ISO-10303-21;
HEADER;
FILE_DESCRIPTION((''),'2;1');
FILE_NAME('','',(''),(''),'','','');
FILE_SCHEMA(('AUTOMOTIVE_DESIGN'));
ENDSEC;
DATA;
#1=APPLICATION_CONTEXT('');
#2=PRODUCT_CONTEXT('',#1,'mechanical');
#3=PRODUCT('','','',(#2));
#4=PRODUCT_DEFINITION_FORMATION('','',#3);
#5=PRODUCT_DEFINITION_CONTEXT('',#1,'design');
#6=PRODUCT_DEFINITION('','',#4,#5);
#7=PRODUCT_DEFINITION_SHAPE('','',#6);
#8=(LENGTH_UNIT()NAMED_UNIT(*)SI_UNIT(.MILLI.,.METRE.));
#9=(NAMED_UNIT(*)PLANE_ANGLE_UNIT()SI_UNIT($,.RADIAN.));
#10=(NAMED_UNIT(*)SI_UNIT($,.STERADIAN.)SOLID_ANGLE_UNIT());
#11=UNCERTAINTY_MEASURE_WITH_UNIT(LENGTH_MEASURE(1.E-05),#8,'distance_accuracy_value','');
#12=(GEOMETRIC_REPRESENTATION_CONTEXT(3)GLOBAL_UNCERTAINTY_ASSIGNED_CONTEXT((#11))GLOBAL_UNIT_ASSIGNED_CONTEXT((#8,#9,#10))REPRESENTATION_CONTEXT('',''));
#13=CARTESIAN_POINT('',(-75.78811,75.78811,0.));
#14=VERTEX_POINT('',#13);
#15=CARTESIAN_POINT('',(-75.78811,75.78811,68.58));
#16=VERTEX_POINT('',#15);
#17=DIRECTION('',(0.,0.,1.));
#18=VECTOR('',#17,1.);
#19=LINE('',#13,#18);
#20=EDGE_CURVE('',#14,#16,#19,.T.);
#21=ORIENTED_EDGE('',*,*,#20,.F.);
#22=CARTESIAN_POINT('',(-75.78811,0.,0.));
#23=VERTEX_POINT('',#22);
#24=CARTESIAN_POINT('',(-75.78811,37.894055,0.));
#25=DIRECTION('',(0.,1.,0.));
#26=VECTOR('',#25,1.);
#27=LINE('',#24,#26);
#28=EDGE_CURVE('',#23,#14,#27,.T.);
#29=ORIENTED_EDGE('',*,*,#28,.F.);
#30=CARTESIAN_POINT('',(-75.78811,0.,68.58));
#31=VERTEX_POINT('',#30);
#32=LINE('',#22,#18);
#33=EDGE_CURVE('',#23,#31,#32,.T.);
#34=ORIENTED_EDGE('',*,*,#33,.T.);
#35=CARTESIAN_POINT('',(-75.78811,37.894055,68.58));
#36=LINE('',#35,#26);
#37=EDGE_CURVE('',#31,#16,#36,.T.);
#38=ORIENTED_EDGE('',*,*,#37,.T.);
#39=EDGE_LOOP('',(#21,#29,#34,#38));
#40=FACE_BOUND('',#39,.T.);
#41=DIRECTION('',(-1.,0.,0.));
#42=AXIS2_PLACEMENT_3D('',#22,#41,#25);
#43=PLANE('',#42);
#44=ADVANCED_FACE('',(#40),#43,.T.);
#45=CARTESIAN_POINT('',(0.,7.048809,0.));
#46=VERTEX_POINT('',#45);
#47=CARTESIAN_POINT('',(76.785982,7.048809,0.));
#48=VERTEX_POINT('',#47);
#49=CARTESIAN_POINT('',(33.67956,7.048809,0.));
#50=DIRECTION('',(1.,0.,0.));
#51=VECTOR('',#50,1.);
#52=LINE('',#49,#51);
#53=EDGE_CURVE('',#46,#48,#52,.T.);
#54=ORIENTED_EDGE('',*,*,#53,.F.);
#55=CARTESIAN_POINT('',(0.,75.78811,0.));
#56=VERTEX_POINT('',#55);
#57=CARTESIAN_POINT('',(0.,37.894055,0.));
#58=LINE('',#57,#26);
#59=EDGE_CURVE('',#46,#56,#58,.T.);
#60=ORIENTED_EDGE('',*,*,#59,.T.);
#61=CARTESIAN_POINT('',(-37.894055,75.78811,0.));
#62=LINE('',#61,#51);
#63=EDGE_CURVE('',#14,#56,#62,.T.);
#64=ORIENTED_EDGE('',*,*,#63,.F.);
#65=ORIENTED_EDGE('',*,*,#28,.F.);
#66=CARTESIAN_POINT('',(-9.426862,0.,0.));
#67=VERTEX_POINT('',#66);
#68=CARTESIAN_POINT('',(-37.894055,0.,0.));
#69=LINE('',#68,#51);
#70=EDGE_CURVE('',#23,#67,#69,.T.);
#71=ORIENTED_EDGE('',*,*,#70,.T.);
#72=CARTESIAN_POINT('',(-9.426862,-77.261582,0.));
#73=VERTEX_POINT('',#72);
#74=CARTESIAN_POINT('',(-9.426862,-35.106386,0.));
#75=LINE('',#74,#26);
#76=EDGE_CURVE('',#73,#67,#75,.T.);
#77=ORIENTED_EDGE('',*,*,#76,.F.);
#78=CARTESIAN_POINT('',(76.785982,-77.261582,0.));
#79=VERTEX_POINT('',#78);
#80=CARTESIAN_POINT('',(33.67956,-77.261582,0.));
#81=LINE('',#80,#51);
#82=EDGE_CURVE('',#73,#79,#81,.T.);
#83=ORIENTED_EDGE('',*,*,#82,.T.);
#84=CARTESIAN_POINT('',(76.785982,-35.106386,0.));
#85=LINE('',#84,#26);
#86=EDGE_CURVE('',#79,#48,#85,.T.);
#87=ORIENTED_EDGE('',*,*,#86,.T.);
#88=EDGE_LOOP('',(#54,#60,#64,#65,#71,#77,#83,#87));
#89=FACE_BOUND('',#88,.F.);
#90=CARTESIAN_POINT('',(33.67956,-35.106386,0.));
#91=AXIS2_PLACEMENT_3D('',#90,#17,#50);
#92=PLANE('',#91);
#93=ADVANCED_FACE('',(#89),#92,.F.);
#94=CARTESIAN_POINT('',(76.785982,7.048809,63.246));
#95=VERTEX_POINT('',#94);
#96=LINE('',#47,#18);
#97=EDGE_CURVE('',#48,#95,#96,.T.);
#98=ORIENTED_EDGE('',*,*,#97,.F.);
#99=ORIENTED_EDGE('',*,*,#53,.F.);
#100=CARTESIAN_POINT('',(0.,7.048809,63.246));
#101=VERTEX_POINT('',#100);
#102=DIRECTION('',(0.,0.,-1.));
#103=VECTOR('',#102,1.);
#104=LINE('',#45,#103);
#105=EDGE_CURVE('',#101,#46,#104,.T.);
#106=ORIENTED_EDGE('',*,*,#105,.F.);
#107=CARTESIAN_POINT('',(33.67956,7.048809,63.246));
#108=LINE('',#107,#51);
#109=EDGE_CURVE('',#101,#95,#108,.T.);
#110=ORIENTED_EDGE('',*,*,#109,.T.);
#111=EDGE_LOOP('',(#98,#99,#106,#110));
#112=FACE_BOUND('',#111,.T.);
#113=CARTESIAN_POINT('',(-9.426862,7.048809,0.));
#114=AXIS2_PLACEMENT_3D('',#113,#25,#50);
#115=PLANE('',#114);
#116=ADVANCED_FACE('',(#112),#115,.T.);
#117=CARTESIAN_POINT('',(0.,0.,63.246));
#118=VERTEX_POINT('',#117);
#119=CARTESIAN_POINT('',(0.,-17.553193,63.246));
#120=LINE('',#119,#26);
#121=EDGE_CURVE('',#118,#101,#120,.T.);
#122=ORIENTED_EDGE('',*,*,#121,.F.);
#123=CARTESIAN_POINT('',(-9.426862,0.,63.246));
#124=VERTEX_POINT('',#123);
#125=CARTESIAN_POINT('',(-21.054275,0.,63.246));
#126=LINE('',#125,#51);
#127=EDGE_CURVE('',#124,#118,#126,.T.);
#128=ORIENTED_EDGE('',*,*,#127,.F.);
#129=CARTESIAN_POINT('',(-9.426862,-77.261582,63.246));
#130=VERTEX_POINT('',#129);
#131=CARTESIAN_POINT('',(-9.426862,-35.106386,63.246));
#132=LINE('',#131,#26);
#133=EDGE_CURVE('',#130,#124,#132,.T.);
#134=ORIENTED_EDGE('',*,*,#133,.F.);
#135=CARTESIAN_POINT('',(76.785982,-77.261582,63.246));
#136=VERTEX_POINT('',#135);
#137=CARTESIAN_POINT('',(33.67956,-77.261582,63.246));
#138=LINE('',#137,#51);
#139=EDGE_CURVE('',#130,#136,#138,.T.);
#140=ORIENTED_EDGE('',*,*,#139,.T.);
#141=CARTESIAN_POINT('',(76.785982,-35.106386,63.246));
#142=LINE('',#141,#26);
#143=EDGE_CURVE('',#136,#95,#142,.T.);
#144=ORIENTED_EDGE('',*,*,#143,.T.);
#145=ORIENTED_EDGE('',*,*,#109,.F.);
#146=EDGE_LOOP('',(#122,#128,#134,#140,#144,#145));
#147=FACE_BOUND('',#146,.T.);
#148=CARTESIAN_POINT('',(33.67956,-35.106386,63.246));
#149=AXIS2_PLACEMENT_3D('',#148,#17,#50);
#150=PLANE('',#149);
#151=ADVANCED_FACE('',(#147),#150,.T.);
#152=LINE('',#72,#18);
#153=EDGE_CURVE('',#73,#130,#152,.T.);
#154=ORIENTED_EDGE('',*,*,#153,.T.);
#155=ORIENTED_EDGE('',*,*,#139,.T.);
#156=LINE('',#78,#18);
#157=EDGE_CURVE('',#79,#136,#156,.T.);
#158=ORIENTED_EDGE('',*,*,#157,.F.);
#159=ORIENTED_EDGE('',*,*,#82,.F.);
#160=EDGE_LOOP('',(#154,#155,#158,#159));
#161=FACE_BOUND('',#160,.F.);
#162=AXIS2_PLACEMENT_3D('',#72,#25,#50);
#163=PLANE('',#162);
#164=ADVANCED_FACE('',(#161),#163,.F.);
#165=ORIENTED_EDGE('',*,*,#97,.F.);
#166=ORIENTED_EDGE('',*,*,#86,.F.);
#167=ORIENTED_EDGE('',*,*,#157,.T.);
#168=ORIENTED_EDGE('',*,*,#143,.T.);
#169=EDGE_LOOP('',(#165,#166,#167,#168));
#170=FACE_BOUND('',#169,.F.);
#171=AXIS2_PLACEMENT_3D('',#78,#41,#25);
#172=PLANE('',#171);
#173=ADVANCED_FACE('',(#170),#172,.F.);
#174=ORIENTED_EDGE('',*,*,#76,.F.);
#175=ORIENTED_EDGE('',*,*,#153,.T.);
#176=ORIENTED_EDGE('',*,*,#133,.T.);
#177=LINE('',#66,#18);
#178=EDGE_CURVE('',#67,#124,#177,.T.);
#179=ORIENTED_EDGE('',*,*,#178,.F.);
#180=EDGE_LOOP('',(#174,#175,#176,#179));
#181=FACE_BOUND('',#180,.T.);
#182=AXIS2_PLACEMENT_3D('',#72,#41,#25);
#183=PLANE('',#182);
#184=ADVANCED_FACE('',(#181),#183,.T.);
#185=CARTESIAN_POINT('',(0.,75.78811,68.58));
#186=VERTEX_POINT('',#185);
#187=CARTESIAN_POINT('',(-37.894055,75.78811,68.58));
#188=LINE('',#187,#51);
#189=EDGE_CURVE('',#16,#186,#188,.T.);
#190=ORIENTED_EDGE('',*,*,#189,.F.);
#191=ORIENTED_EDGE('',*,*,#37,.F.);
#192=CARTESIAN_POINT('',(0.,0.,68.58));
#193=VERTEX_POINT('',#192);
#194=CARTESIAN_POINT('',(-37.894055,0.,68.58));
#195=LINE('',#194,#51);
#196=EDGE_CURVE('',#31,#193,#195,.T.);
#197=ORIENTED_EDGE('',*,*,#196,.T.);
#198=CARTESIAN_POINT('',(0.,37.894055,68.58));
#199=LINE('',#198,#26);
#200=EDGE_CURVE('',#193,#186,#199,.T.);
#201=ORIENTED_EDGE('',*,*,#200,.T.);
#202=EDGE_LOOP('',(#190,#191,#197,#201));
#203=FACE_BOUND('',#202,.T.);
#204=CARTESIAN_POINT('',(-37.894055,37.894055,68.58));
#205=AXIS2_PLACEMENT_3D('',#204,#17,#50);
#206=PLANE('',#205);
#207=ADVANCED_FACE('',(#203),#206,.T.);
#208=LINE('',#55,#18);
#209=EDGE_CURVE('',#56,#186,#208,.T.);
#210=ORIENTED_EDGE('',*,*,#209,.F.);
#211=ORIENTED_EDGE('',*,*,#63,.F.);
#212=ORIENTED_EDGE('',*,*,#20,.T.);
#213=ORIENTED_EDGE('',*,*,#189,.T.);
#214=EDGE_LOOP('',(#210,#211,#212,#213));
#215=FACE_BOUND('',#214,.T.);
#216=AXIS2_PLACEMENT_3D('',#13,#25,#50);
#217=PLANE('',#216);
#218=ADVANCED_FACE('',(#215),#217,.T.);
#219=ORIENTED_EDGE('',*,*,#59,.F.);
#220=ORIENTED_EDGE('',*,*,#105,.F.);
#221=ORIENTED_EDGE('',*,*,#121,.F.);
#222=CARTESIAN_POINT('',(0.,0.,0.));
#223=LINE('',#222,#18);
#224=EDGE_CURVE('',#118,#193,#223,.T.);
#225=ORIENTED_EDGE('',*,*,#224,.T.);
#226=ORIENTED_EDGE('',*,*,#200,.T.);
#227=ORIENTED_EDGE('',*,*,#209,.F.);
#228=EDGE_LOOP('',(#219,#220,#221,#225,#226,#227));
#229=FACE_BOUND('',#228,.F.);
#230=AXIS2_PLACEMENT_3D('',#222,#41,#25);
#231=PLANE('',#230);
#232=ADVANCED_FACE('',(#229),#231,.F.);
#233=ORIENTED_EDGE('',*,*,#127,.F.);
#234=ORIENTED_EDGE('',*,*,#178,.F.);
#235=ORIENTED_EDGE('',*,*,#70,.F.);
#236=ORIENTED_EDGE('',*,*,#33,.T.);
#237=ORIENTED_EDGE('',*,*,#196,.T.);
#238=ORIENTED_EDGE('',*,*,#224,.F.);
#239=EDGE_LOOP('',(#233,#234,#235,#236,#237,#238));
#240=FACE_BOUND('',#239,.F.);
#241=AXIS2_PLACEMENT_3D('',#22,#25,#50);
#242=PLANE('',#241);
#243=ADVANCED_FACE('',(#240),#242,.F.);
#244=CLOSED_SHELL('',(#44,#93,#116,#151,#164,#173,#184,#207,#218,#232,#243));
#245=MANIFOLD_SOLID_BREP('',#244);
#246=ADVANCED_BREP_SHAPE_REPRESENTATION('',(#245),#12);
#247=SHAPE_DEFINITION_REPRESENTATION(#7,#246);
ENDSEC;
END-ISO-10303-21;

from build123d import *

# Parameters (mm, degrees)
F0_W     = 75.78811
F0_H     = 75.78811
F1_DEPTH = 68.58
F2_W     = 86.212844
F2_H     = 84.310391
F3_DEPTH = 63.246


with BuildPart() as f1:
    # F0 (on Top) → F1 (new body)
    with BuildSketch(Plane.XY):
        with Locations((-37.894055, 37.894055)):
            Rectangle(F0_W, F0_H)
    extrude(amount=F1_DEPTH)

    # F2 (on Top) → F3 (join)
    with BuildSketch(Plane.XY):
        with Locations((33.67956, -35.106386)):
            Rectangle(F2_W, F2_H)
    extrude(amount=F3_DEPTH)


solid = f1.part
